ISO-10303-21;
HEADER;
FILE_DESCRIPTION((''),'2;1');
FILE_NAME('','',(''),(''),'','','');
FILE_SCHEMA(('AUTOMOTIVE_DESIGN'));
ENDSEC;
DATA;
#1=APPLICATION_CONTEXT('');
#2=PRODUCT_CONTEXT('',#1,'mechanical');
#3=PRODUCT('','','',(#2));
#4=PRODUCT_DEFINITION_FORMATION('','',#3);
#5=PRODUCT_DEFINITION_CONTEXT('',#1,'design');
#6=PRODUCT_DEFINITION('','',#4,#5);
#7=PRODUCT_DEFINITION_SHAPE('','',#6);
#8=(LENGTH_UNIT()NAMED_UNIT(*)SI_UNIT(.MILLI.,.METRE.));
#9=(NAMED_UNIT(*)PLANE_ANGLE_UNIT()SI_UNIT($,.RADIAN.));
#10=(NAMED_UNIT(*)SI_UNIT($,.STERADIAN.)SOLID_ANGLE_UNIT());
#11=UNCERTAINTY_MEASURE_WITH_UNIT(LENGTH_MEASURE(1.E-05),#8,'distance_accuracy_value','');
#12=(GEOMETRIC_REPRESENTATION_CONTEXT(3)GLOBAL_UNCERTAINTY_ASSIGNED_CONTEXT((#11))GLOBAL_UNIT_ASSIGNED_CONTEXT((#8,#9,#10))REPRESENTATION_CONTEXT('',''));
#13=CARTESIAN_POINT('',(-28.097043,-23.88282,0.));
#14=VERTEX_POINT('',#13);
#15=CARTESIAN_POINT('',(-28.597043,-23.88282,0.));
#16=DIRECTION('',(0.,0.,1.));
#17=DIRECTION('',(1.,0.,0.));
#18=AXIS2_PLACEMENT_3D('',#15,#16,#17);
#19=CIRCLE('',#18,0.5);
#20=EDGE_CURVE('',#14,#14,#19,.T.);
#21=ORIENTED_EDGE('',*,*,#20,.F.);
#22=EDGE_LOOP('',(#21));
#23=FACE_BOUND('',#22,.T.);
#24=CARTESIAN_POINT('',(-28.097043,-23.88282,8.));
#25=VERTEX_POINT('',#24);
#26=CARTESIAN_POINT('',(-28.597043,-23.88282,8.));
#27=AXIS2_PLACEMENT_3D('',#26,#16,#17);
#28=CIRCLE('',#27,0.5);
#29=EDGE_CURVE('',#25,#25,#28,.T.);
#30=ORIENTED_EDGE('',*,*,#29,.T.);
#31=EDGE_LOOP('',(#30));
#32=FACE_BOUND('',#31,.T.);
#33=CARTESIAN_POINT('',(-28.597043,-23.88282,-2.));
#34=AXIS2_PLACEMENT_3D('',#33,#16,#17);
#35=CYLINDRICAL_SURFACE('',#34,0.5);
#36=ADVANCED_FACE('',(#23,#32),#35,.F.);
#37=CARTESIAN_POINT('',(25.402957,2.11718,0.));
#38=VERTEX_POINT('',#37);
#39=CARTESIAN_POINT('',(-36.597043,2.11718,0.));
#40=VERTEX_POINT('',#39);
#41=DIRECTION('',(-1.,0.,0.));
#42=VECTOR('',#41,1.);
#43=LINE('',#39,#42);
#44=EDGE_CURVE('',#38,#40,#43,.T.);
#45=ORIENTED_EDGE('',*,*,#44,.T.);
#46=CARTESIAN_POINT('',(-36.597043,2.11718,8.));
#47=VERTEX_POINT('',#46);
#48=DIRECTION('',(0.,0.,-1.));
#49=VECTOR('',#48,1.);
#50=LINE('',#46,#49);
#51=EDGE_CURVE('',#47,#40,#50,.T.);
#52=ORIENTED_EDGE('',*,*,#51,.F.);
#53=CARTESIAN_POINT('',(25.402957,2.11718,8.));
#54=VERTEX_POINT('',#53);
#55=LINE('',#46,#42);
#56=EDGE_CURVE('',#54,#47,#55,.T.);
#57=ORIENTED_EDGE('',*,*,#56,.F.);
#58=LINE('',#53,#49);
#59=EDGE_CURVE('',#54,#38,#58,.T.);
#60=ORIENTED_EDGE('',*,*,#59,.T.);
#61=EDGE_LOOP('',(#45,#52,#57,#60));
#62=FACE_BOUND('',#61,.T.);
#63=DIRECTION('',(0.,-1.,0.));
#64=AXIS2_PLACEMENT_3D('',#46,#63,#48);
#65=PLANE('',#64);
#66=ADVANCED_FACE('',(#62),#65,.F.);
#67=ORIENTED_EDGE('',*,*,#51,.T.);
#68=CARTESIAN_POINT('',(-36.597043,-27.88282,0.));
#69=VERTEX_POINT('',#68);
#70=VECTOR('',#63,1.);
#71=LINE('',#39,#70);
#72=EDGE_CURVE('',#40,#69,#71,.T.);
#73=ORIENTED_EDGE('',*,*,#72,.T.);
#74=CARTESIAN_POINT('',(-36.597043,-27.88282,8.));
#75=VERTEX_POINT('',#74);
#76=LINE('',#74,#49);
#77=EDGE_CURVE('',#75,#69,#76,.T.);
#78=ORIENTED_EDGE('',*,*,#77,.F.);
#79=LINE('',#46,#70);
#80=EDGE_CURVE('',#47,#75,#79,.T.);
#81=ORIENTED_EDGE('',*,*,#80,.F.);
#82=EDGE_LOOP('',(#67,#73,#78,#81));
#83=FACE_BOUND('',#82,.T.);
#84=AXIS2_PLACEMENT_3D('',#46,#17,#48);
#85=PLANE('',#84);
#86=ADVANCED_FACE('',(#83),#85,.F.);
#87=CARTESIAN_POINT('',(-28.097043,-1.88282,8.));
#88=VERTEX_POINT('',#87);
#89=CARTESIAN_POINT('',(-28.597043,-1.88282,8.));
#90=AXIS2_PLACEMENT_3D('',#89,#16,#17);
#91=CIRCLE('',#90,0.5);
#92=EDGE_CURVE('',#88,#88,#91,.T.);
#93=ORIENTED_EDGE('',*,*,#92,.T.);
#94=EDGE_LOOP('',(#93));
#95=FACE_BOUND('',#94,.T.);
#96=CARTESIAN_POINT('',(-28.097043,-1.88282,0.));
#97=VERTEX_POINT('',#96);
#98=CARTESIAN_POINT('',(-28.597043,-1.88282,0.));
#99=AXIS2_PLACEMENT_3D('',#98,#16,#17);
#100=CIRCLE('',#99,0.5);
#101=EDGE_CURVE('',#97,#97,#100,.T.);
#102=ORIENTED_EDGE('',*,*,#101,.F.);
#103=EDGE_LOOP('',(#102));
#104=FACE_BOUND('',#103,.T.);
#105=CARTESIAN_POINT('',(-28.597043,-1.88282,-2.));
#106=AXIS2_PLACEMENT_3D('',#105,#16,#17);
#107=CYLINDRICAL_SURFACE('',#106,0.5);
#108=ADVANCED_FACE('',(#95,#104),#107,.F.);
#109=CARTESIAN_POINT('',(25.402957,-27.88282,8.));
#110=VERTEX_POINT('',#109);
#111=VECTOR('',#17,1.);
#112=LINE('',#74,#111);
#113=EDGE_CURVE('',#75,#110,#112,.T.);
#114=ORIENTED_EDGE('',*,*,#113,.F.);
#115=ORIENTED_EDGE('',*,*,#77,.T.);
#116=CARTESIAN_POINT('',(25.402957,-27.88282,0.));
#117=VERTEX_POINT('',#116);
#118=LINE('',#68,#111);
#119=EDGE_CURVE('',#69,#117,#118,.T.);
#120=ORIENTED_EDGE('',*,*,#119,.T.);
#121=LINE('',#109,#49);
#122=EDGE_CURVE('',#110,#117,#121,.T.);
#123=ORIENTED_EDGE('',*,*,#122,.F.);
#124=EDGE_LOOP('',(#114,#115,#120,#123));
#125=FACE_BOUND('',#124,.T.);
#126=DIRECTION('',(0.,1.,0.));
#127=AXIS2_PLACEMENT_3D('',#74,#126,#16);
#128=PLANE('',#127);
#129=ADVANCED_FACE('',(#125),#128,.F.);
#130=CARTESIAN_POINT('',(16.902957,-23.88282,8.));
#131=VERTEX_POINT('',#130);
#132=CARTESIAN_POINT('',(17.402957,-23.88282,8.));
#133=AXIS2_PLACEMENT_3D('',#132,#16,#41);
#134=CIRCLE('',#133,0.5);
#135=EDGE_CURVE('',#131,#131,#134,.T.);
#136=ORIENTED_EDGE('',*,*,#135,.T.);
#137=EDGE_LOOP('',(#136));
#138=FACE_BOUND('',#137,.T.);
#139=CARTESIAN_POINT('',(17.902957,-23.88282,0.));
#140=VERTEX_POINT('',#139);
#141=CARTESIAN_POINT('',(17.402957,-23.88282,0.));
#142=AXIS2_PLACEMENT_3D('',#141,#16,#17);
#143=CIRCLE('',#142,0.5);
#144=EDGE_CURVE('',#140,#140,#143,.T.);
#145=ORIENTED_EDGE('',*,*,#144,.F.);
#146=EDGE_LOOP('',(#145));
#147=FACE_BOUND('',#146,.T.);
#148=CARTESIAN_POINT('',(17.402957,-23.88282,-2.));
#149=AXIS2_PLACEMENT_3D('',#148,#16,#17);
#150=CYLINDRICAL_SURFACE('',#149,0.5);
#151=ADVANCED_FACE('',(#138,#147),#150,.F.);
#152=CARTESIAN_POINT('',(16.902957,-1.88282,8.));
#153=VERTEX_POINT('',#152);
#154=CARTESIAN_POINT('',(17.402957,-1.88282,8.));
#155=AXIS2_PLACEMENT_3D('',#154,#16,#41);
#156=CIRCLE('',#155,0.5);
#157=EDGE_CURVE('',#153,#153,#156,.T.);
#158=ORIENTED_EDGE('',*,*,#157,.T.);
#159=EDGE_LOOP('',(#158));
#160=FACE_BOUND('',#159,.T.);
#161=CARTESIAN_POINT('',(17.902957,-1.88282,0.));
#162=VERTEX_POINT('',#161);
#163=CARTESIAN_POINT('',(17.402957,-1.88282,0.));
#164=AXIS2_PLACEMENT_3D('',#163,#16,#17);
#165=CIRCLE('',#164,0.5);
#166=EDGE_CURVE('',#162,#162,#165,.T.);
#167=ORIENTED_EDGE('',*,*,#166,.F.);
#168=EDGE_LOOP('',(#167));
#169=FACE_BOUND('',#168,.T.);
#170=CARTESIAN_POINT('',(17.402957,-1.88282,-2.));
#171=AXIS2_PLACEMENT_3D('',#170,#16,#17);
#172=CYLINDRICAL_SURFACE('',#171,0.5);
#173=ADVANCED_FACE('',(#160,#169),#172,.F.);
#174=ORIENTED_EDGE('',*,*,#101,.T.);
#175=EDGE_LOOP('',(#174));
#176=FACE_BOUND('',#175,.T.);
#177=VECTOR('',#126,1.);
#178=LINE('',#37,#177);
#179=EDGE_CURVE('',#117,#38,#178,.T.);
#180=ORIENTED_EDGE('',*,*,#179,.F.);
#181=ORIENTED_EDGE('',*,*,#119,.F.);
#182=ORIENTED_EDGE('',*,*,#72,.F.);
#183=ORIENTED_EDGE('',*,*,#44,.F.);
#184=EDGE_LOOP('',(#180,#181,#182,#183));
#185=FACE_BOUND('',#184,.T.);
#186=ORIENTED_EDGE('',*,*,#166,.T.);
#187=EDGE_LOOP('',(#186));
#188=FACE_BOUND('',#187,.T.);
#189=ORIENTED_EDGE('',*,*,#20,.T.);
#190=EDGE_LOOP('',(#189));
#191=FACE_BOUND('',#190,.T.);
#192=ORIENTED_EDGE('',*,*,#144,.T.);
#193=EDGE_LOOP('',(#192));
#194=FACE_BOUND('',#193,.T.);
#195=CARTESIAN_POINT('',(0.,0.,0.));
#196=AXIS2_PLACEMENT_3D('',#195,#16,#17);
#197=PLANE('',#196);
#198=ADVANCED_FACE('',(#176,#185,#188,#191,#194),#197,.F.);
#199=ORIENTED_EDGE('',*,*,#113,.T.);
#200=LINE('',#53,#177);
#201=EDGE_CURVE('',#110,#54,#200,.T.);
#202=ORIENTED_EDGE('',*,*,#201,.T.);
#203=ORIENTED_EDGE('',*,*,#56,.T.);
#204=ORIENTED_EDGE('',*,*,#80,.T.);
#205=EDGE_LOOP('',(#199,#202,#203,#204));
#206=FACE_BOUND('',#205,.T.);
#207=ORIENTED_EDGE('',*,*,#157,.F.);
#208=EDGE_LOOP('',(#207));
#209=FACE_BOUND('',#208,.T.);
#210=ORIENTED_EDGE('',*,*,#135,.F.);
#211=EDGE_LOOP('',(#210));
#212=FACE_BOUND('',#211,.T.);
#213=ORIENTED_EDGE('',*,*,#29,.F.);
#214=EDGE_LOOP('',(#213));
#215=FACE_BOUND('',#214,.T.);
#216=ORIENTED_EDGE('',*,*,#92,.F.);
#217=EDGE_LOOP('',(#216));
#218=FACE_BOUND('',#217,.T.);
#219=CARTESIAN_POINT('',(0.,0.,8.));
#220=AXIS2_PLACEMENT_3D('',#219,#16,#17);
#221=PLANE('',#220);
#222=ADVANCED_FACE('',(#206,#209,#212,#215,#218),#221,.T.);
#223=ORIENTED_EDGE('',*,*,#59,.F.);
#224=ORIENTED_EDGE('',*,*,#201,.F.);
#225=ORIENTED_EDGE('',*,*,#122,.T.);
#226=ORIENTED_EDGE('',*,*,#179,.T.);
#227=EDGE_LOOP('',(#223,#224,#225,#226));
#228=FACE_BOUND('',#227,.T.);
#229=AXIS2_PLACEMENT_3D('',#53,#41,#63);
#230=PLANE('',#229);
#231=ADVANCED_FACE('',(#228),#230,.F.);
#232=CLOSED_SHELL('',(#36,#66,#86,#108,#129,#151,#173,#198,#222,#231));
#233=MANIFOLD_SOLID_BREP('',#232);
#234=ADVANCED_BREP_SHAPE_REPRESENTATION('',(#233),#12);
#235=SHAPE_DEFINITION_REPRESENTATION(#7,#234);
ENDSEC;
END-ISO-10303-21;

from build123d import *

# Parameters (mm, degrees)
ESQUISSE1_W             = 62
ESQUISSE1_H             = 30
BOSS_EXTRU_1_DEPTH      = 8
ESQUISSE2_R             = 0.5
ENL_V_MAT_EXTRU_1_DEPTH = 10


with BuildPart() as part:
    # Esquisse1 → Boss.-Extru.1 (new body)
    with BuildSketch(Plane.XY):
        with Locations((-5.597042592, -12.882819905)):
            Rectangle(ESQUISSE1_W, ESQUISSE1_H)
    extrude(amount=BOSS_EXTRU_1_DEPTH)

    # Esquisse2 → Enlèv. mat.-Extru.1 (cut)
    with BuildSketch(Plane.XY.offset(8)):
        with Locations((-28.597042592, -1.882819905)):
            Circle(ESQUISSE2_R)
        with Locations((-28.597042592, -23.882819905)):
            Circle(ESQUISSE2_R)
        with Locations((17.402957408, -1.882819905)):
            Circle(ESQUISSE2_R)
        with Locations((17.402957408, -23.882819905)):
            Circle(ESQUISSE2_R)
    extrude(amount=-ENL_V_MAT_EXTRU_1_DEPTH, mode=Mode.SUBTRACT)


solid = part.part
